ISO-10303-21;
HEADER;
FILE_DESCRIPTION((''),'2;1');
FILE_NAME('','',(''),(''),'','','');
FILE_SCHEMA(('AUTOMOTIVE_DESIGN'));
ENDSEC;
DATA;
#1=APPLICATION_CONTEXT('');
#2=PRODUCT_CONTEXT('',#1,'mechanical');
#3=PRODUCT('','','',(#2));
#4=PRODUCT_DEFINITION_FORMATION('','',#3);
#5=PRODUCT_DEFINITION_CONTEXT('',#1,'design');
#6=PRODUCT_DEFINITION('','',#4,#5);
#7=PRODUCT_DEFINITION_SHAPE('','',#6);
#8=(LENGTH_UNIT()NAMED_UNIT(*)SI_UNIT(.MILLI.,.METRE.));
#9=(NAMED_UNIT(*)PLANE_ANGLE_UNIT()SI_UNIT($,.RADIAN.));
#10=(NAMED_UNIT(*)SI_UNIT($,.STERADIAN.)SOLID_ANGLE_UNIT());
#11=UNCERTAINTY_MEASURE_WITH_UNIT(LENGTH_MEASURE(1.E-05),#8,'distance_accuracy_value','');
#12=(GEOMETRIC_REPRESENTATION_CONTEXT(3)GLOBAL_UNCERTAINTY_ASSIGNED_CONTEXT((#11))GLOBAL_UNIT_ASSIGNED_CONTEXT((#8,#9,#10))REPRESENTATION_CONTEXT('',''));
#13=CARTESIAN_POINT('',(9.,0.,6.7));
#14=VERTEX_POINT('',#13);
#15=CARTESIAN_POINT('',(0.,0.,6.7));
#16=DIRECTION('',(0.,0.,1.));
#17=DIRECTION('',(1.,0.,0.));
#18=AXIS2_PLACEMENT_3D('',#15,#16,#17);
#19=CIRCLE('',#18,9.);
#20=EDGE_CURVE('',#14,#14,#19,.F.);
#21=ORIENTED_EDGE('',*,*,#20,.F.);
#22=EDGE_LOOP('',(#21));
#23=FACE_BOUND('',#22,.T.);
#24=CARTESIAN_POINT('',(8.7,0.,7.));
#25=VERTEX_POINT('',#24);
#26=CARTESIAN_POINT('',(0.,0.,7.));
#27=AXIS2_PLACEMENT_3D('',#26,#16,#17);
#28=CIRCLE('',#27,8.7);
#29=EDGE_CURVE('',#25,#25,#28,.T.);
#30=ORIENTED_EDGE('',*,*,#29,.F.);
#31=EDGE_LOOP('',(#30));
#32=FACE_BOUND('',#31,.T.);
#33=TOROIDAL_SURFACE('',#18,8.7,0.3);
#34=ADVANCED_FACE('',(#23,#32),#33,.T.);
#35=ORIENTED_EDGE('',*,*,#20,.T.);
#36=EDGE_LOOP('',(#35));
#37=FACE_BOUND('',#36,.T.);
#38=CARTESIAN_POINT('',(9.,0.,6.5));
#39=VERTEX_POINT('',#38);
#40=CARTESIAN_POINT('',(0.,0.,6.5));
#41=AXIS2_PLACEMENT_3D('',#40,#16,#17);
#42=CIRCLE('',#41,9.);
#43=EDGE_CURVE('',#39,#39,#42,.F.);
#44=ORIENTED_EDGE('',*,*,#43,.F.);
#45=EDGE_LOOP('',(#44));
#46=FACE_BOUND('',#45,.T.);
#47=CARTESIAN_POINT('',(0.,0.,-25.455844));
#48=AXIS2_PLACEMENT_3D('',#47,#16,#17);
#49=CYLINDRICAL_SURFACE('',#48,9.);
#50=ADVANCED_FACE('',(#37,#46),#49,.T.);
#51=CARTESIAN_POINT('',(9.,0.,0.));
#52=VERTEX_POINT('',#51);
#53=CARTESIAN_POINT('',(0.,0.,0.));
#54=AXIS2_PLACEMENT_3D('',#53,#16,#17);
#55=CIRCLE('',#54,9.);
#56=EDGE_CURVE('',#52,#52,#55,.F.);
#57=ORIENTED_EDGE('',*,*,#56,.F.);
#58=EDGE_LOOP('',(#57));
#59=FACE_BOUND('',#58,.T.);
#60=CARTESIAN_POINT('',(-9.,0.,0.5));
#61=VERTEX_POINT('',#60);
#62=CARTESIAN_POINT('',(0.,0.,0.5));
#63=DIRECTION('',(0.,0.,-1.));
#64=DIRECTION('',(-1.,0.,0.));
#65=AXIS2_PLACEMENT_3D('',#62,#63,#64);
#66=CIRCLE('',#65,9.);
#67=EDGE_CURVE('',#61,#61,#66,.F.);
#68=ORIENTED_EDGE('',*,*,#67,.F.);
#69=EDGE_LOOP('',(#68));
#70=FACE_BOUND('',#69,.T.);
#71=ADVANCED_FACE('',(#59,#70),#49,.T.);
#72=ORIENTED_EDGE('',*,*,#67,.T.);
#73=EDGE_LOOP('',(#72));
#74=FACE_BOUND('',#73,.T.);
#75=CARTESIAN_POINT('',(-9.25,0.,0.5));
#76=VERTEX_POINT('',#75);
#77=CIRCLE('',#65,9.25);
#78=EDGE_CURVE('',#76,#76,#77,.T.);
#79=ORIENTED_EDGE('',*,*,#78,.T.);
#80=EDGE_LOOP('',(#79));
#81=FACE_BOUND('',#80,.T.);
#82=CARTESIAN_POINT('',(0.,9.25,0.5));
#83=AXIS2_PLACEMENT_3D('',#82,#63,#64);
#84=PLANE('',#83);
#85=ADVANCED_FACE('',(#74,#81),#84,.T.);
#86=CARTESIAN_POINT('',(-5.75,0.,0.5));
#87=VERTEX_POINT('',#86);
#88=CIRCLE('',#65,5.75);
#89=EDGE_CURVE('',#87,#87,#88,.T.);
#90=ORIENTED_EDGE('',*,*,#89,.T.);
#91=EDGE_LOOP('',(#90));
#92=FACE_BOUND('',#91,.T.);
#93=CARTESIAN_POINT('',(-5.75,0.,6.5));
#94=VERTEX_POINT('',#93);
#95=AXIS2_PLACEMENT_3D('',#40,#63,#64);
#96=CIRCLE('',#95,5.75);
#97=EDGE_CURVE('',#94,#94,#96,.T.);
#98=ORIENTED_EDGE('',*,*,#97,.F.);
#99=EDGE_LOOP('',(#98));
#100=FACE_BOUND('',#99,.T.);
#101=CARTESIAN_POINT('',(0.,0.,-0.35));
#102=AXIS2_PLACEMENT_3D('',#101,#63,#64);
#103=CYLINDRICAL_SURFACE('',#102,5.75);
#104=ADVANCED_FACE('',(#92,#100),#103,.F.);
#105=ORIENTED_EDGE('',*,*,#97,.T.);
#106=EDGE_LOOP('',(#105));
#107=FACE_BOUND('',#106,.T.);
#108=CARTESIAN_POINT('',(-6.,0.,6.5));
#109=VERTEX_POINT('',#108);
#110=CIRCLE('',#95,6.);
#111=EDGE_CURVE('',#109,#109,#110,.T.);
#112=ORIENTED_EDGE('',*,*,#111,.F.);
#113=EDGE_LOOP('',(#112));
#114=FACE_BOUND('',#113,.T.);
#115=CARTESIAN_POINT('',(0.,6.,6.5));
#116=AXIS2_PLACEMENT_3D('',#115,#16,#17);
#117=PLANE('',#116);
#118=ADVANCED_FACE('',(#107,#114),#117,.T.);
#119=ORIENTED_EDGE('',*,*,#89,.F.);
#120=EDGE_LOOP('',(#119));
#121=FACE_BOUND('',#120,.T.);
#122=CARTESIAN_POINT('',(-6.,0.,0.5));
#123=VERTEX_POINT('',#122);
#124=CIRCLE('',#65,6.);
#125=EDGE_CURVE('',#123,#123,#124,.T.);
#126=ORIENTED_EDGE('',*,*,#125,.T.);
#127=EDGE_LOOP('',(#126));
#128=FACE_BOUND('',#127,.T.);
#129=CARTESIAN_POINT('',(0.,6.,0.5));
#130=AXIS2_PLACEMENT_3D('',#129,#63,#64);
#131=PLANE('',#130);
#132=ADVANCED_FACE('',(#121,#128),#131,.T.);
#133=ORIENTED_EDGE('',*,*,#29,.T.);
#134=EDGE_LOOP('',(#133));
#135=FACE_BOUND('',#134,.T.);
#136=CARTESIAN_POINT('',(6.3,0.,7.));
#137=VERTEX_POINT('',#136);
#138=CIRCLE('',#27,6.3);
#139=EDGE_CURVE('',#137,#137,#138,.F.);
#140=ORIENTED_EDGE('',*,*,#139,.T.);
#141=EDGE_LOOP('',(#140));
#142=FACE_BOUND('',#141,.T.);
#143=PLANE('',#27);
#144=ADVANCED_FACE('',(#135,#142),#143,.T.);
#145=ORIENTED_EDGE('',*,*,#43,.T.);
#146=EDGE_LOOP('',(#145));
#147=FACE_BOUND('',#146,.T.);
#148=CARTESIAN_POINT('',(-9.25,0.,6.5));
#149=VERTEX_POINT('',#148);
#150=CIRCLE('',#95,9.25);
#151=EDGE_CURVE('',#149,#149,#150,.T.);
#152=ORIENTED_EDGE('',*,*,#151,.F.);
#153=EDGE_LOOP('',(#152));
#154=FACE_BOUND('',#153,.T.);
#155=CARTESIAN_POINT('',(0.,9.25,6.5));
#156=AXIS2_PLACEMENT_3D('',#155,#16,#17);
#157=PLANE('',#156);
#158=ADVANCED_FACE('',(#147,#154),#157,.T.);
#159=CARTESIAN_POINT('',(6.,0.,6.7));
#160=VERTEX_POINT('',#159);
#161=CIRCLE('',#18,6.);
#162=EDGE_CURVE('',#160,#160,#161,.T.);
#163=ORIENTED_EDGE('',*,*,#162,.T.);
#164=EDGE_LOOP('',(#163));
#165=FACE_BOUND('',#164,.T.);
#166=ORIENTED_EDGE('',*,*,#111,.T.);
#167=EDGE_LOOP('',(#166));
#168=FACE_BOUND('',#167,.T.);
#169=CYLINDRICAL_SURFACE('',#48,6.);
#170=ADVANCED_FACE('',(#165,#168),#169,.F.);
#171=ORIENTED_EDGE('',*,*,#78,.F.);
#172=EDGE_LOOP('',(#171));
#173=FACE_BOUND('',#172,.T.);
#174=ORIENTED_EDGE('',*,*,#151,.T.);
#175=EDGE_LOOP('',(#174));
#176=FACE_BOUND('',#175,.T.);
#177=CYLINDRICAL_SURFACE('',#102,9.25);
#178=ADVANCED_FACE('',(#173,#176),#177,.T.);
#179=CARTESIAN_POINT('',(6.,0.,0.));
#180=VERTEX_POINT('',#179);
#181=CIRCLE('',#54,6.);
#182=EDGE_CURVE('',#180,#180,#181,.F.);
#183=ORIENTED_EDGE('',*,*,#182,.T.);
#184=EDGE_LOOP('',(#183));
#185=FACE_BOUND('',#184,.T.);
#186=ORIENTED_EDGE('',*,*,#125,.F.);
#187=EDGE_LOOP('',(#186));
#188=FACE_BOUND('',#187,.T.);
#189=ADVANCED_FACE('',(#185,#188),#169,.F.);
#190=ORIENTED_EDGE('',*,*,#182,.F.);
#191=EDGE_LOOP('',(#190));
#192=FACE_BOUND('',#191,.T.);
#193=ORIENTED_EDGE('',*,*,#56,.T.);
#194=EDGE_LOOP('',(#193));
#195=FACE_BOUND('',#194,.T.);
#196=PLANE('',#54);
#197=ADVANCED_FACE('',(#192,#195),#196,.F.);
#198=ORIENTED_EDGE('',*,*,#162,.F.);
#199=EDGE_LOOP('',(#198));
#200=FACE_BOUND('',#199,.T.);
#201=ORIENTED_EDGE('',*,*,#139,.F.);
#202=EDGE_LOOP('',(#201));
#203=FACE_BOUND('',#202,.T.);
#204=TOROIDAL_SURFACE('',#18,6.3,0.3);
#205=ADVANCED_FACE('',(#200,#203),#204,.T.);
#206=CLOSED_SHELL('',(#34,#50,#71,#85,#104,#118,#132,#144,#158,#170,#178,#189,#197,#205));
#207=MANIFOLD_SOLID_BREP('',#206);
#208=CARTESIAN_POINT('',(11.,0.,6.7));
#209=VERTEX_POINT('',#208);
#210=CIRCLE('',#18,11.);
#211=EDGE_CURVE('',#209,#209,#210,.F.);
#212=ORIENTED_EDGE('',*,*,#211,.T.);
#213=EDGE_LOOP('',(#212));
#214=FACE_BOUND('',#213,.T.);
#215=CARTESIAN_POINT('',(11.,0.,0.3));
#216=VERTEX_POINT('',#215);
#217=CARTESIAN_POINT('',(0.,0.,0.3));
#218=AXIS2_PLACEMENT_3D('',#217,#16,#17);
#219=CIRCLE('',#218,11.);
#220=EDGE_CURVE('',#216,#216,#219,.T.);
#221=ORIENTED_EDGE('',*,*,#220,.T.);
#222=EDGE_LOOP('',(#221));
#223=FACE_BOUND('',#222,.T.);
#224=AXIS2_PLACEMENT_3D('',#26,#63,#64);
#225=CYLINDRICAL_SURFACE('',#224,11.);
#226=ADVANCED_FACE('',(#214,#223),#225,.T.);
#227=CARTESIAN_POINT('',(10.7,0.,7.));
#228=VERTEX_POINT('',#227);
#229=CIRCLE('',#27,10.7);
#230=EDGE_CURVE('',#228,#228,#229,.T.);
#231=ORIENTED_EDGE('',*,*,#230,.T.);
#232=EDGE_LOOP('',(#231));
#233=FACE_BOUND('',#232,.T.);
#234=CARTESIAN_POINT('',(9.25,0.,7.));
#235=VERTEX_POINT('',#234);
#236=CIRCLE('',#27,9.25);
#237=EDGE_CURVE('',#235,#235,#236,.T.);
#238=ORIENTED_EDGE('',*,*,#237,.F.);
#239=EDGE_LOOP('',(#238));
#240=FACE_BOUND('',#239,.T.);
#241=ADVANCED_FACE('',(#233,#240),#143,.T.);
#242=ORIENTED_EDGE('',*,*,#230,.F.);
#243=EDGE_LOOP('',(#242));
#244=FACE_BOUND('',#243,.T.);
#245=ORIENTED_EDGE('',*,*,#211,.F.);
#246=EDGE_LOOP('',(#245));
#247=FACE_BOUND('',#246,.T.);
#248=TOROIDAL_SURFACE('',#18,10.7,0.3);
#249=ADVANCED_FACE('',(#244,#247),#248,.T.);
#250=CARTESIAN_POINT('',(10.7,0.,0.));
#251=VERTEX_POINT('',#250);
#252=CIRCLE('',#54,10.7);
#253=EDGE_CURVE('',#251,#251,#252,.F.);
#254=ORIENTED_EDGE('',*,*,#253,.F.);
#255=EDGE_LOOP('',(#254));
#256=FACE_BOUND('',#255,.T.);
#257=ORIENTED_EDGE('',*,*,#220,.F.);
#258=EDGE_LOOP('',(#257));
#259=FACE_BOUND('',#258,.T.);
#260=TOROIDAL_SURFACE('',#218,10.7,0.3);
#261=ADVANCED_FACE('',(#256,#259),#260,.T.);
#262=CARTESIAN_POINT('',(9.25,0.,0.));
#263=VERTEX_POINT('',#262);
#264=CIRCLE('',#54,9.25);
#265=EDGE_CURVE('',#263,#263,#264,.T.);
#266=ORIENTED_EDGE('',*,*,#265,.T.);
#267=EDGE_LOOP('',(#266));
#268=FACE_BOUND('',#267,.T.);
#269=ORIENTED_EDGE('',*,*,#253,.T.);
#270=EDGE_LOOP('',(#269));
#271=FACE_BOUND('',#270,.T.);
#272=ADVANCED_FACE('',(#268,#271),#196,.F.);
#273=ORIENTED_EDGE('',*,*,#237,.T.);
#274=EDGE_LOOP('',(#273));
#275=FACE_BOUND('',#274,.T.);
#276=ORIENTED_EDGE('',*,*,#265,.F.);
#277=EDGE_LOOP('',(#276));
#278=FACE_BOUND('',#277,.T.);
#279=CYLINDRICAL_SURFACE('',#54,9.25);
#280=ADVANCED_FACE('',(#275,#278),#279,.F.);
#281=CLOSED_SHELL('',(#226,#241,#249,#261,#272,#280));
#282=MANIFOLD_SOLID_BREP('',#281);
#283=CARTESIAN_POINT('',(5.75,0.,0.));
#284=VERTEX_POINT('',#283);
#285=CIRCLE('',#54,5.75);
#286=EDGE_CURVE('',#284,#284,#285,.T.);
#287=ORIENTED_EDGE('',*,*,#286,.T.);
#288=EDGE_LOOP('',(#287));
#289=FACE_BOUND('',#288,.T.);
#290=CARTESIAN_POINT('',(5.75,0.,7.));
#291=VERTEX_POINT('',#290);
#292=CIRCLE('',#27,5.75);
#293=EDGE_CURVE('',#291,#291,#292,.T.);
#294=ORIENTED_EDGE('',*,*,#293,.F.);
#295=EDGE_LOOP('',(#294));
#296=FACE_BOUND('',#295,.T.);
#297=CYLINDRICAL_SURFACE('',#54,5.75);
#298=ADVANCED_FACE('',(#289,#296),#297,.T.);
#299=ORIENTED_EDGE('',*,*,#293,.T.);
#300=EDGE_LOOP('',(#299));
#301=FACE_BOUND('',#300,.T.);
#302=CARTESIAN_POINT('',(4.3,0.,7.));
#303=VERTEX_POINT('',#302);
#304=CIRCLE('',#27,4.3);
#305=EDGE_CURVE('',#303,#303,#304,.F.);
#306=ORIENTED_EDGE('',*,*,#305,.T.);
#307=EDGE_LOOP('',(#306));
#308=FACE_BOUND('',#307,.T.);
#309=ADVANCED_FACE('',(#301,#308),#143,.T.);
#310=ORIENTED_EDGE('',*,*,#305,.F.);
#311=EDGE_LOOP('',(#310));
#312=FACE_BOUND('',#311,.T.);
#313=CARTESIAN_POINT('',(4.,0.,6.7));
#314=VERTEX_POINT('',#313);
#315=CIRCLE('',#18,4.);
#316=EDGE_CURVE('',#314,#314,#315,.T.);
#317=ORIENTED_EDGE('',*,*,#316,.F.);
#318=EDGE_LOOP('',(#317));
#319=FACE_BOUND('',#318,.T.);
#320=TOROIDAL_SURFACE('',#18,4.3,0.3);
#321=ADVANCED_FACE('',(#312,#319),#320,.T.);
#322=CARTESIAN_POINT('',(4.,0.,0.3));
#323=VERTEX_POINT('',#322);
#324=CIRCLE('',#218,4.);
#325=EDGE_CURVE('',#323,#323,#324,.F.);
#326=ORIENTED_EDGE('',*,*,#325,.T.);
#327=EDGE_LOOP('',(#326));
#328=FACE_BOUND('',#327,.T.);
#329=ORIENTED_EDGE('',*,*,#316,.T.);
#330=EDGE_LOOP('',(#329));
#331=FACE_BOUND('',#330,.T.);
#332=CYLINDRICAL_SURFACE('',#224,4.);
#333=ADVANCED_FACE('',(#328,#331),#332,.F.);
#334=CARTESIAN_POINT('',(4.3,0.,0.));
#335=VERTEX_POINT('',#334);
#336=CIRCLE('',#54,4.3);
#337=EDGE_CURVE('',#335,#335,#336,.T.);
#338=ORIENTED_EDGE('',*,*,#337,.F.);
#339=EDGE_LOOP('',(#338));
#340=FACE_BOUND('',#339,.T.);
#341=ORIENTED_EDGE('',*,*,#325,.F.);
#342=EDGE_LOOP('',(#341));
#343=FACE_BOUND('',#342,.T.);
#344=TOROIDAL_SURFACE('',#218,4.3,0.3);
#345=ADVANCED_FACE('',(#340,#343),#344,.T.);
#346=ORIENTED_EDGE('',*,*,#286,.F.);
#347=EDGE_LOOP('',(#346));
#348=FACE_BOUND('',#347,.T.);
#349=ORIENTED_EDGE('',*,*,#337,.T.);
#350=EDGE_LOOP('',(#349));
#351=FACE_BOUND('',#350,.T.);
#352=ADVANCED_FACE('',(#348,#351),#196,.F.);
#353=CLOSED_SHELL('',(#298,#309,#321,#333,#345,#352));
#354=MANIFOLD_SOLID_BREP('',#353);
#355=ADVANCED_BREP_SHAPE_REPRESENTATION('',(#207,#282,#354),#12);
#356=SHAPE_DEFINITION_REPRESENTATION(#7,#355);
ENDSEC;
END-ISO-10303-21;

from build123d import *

# Parameters (mm, degrees)
SKETCH1_R           = 11
SKETCH1_R_2         = 4
BOSS_EXTRUDE1_DEPTH = 7
FILLET1_R           = 0.3
SKETCH2_R           = 9.25
SKETCH2_R_2         = 5.75
CUT_EXTRUDE1_DEPTH  = 18.058722174
SKETCH4_R           = 9
SKETCH4_R_2         = 6
BOSS_EXTRUDE2_DEPTH = 7
FILLET2_R           = 0.3
SKETCH5_W           = 6
SKETCH5_H           = 0.25


with BuildPart() as part:
    # Sketch1 → Boss-Extrude1 (new body)
    with BuildSketch(Plane.XY):
        Circle(SKETCH1_R)
        Circle(SKETCH1_R_2, mode=Mode.SUBTRACT)
    extrude(amount=BOSS_EXTRUDE1_DEPTH)

    # Fillet1
    fillet1_edges = [part.edges().sort_by_distance(p)[0] for p in [
        (-11, 0, 0),
        (-11, 0, 7),
        (-4, 0, 0),
        (-4, 0, 7),
    ]]
    fillet(fillet1_edges, radius=FILLET1_R)

    # Sketch2 → Cut-Extrude1 (cut, through all)
    with BuildSketch(Plane.XY.offset(7)):
        Circle(SKETCH2_R)
        Circle(SKETCH2_R_2, mode=Mode.SUBTRACT)
    extrude(amount=-CUT_EXTRUDE1_DEPTH, mode=Mode.SUBTRACT)


with BuildPart() as cut_extrude1_piece_1:
    # of the separate pieces the step leaves, piece 1, a body of its own (cut_extrude1_pieces)
    add(part.part.solids().sort_by_distance((11, 0, 0.3))[0])


with BuildPart() as cut_extrude1_piece_2:
    # of the separate pieces the step leaves, piece 2, a body of its own (cut_extrude1_pieces)
    add(part.part.solids().sort_by_distance((5.75, 0, 0))[0])


with BuildPart() as body_3:
    # Sketch4 → Boss-Extrude2 (new body)
    with BuildSketch(Plane.XY.offset(7)):
        Circle(SKETCH4_R)
        Circle(SKETCH4_R_2, mode=Mode.SUBTRACT)
    extrude(amount=-BOSS_EXTRUDE2_DEPTH)

    # Fillet2
    fillet2_edges = [body_3.edges().sort_by_distance(p)[0] for p in [
        (-9, 0, 7),
        (-6, 0, 7),
    ]]
    fillet(fillet2_edges, radius=FILLET2_R)

    # Sketch5 → Revolve2 (revolve)
    with BuildSketch(Plane(origin=(0, 0, 0), x_dir=(0, 0, -1), z_dir=(1, 0, 0)), mode=Mode.PRIVATE) as revolve2_sk:
        with Locations((-3.5, 9.125)):
            Rectangle(SKETCH5_W, SKETCH5_H)
        with Locations((-3.5, 5.875)):
            Rectangle(SKETCH5_W, SKETCH5_H)
    revolve(revolve2_sk.sketch.rotate(Axis((0, 0, -0.35), (0, 0, 1)), 270), axis=Axis((0, 0, -0.35), (0, 0, 1)))


solid = Compound([cut_extrude1_piece_1.part, cut_extrude1_piece_2.part, body_3.part])
